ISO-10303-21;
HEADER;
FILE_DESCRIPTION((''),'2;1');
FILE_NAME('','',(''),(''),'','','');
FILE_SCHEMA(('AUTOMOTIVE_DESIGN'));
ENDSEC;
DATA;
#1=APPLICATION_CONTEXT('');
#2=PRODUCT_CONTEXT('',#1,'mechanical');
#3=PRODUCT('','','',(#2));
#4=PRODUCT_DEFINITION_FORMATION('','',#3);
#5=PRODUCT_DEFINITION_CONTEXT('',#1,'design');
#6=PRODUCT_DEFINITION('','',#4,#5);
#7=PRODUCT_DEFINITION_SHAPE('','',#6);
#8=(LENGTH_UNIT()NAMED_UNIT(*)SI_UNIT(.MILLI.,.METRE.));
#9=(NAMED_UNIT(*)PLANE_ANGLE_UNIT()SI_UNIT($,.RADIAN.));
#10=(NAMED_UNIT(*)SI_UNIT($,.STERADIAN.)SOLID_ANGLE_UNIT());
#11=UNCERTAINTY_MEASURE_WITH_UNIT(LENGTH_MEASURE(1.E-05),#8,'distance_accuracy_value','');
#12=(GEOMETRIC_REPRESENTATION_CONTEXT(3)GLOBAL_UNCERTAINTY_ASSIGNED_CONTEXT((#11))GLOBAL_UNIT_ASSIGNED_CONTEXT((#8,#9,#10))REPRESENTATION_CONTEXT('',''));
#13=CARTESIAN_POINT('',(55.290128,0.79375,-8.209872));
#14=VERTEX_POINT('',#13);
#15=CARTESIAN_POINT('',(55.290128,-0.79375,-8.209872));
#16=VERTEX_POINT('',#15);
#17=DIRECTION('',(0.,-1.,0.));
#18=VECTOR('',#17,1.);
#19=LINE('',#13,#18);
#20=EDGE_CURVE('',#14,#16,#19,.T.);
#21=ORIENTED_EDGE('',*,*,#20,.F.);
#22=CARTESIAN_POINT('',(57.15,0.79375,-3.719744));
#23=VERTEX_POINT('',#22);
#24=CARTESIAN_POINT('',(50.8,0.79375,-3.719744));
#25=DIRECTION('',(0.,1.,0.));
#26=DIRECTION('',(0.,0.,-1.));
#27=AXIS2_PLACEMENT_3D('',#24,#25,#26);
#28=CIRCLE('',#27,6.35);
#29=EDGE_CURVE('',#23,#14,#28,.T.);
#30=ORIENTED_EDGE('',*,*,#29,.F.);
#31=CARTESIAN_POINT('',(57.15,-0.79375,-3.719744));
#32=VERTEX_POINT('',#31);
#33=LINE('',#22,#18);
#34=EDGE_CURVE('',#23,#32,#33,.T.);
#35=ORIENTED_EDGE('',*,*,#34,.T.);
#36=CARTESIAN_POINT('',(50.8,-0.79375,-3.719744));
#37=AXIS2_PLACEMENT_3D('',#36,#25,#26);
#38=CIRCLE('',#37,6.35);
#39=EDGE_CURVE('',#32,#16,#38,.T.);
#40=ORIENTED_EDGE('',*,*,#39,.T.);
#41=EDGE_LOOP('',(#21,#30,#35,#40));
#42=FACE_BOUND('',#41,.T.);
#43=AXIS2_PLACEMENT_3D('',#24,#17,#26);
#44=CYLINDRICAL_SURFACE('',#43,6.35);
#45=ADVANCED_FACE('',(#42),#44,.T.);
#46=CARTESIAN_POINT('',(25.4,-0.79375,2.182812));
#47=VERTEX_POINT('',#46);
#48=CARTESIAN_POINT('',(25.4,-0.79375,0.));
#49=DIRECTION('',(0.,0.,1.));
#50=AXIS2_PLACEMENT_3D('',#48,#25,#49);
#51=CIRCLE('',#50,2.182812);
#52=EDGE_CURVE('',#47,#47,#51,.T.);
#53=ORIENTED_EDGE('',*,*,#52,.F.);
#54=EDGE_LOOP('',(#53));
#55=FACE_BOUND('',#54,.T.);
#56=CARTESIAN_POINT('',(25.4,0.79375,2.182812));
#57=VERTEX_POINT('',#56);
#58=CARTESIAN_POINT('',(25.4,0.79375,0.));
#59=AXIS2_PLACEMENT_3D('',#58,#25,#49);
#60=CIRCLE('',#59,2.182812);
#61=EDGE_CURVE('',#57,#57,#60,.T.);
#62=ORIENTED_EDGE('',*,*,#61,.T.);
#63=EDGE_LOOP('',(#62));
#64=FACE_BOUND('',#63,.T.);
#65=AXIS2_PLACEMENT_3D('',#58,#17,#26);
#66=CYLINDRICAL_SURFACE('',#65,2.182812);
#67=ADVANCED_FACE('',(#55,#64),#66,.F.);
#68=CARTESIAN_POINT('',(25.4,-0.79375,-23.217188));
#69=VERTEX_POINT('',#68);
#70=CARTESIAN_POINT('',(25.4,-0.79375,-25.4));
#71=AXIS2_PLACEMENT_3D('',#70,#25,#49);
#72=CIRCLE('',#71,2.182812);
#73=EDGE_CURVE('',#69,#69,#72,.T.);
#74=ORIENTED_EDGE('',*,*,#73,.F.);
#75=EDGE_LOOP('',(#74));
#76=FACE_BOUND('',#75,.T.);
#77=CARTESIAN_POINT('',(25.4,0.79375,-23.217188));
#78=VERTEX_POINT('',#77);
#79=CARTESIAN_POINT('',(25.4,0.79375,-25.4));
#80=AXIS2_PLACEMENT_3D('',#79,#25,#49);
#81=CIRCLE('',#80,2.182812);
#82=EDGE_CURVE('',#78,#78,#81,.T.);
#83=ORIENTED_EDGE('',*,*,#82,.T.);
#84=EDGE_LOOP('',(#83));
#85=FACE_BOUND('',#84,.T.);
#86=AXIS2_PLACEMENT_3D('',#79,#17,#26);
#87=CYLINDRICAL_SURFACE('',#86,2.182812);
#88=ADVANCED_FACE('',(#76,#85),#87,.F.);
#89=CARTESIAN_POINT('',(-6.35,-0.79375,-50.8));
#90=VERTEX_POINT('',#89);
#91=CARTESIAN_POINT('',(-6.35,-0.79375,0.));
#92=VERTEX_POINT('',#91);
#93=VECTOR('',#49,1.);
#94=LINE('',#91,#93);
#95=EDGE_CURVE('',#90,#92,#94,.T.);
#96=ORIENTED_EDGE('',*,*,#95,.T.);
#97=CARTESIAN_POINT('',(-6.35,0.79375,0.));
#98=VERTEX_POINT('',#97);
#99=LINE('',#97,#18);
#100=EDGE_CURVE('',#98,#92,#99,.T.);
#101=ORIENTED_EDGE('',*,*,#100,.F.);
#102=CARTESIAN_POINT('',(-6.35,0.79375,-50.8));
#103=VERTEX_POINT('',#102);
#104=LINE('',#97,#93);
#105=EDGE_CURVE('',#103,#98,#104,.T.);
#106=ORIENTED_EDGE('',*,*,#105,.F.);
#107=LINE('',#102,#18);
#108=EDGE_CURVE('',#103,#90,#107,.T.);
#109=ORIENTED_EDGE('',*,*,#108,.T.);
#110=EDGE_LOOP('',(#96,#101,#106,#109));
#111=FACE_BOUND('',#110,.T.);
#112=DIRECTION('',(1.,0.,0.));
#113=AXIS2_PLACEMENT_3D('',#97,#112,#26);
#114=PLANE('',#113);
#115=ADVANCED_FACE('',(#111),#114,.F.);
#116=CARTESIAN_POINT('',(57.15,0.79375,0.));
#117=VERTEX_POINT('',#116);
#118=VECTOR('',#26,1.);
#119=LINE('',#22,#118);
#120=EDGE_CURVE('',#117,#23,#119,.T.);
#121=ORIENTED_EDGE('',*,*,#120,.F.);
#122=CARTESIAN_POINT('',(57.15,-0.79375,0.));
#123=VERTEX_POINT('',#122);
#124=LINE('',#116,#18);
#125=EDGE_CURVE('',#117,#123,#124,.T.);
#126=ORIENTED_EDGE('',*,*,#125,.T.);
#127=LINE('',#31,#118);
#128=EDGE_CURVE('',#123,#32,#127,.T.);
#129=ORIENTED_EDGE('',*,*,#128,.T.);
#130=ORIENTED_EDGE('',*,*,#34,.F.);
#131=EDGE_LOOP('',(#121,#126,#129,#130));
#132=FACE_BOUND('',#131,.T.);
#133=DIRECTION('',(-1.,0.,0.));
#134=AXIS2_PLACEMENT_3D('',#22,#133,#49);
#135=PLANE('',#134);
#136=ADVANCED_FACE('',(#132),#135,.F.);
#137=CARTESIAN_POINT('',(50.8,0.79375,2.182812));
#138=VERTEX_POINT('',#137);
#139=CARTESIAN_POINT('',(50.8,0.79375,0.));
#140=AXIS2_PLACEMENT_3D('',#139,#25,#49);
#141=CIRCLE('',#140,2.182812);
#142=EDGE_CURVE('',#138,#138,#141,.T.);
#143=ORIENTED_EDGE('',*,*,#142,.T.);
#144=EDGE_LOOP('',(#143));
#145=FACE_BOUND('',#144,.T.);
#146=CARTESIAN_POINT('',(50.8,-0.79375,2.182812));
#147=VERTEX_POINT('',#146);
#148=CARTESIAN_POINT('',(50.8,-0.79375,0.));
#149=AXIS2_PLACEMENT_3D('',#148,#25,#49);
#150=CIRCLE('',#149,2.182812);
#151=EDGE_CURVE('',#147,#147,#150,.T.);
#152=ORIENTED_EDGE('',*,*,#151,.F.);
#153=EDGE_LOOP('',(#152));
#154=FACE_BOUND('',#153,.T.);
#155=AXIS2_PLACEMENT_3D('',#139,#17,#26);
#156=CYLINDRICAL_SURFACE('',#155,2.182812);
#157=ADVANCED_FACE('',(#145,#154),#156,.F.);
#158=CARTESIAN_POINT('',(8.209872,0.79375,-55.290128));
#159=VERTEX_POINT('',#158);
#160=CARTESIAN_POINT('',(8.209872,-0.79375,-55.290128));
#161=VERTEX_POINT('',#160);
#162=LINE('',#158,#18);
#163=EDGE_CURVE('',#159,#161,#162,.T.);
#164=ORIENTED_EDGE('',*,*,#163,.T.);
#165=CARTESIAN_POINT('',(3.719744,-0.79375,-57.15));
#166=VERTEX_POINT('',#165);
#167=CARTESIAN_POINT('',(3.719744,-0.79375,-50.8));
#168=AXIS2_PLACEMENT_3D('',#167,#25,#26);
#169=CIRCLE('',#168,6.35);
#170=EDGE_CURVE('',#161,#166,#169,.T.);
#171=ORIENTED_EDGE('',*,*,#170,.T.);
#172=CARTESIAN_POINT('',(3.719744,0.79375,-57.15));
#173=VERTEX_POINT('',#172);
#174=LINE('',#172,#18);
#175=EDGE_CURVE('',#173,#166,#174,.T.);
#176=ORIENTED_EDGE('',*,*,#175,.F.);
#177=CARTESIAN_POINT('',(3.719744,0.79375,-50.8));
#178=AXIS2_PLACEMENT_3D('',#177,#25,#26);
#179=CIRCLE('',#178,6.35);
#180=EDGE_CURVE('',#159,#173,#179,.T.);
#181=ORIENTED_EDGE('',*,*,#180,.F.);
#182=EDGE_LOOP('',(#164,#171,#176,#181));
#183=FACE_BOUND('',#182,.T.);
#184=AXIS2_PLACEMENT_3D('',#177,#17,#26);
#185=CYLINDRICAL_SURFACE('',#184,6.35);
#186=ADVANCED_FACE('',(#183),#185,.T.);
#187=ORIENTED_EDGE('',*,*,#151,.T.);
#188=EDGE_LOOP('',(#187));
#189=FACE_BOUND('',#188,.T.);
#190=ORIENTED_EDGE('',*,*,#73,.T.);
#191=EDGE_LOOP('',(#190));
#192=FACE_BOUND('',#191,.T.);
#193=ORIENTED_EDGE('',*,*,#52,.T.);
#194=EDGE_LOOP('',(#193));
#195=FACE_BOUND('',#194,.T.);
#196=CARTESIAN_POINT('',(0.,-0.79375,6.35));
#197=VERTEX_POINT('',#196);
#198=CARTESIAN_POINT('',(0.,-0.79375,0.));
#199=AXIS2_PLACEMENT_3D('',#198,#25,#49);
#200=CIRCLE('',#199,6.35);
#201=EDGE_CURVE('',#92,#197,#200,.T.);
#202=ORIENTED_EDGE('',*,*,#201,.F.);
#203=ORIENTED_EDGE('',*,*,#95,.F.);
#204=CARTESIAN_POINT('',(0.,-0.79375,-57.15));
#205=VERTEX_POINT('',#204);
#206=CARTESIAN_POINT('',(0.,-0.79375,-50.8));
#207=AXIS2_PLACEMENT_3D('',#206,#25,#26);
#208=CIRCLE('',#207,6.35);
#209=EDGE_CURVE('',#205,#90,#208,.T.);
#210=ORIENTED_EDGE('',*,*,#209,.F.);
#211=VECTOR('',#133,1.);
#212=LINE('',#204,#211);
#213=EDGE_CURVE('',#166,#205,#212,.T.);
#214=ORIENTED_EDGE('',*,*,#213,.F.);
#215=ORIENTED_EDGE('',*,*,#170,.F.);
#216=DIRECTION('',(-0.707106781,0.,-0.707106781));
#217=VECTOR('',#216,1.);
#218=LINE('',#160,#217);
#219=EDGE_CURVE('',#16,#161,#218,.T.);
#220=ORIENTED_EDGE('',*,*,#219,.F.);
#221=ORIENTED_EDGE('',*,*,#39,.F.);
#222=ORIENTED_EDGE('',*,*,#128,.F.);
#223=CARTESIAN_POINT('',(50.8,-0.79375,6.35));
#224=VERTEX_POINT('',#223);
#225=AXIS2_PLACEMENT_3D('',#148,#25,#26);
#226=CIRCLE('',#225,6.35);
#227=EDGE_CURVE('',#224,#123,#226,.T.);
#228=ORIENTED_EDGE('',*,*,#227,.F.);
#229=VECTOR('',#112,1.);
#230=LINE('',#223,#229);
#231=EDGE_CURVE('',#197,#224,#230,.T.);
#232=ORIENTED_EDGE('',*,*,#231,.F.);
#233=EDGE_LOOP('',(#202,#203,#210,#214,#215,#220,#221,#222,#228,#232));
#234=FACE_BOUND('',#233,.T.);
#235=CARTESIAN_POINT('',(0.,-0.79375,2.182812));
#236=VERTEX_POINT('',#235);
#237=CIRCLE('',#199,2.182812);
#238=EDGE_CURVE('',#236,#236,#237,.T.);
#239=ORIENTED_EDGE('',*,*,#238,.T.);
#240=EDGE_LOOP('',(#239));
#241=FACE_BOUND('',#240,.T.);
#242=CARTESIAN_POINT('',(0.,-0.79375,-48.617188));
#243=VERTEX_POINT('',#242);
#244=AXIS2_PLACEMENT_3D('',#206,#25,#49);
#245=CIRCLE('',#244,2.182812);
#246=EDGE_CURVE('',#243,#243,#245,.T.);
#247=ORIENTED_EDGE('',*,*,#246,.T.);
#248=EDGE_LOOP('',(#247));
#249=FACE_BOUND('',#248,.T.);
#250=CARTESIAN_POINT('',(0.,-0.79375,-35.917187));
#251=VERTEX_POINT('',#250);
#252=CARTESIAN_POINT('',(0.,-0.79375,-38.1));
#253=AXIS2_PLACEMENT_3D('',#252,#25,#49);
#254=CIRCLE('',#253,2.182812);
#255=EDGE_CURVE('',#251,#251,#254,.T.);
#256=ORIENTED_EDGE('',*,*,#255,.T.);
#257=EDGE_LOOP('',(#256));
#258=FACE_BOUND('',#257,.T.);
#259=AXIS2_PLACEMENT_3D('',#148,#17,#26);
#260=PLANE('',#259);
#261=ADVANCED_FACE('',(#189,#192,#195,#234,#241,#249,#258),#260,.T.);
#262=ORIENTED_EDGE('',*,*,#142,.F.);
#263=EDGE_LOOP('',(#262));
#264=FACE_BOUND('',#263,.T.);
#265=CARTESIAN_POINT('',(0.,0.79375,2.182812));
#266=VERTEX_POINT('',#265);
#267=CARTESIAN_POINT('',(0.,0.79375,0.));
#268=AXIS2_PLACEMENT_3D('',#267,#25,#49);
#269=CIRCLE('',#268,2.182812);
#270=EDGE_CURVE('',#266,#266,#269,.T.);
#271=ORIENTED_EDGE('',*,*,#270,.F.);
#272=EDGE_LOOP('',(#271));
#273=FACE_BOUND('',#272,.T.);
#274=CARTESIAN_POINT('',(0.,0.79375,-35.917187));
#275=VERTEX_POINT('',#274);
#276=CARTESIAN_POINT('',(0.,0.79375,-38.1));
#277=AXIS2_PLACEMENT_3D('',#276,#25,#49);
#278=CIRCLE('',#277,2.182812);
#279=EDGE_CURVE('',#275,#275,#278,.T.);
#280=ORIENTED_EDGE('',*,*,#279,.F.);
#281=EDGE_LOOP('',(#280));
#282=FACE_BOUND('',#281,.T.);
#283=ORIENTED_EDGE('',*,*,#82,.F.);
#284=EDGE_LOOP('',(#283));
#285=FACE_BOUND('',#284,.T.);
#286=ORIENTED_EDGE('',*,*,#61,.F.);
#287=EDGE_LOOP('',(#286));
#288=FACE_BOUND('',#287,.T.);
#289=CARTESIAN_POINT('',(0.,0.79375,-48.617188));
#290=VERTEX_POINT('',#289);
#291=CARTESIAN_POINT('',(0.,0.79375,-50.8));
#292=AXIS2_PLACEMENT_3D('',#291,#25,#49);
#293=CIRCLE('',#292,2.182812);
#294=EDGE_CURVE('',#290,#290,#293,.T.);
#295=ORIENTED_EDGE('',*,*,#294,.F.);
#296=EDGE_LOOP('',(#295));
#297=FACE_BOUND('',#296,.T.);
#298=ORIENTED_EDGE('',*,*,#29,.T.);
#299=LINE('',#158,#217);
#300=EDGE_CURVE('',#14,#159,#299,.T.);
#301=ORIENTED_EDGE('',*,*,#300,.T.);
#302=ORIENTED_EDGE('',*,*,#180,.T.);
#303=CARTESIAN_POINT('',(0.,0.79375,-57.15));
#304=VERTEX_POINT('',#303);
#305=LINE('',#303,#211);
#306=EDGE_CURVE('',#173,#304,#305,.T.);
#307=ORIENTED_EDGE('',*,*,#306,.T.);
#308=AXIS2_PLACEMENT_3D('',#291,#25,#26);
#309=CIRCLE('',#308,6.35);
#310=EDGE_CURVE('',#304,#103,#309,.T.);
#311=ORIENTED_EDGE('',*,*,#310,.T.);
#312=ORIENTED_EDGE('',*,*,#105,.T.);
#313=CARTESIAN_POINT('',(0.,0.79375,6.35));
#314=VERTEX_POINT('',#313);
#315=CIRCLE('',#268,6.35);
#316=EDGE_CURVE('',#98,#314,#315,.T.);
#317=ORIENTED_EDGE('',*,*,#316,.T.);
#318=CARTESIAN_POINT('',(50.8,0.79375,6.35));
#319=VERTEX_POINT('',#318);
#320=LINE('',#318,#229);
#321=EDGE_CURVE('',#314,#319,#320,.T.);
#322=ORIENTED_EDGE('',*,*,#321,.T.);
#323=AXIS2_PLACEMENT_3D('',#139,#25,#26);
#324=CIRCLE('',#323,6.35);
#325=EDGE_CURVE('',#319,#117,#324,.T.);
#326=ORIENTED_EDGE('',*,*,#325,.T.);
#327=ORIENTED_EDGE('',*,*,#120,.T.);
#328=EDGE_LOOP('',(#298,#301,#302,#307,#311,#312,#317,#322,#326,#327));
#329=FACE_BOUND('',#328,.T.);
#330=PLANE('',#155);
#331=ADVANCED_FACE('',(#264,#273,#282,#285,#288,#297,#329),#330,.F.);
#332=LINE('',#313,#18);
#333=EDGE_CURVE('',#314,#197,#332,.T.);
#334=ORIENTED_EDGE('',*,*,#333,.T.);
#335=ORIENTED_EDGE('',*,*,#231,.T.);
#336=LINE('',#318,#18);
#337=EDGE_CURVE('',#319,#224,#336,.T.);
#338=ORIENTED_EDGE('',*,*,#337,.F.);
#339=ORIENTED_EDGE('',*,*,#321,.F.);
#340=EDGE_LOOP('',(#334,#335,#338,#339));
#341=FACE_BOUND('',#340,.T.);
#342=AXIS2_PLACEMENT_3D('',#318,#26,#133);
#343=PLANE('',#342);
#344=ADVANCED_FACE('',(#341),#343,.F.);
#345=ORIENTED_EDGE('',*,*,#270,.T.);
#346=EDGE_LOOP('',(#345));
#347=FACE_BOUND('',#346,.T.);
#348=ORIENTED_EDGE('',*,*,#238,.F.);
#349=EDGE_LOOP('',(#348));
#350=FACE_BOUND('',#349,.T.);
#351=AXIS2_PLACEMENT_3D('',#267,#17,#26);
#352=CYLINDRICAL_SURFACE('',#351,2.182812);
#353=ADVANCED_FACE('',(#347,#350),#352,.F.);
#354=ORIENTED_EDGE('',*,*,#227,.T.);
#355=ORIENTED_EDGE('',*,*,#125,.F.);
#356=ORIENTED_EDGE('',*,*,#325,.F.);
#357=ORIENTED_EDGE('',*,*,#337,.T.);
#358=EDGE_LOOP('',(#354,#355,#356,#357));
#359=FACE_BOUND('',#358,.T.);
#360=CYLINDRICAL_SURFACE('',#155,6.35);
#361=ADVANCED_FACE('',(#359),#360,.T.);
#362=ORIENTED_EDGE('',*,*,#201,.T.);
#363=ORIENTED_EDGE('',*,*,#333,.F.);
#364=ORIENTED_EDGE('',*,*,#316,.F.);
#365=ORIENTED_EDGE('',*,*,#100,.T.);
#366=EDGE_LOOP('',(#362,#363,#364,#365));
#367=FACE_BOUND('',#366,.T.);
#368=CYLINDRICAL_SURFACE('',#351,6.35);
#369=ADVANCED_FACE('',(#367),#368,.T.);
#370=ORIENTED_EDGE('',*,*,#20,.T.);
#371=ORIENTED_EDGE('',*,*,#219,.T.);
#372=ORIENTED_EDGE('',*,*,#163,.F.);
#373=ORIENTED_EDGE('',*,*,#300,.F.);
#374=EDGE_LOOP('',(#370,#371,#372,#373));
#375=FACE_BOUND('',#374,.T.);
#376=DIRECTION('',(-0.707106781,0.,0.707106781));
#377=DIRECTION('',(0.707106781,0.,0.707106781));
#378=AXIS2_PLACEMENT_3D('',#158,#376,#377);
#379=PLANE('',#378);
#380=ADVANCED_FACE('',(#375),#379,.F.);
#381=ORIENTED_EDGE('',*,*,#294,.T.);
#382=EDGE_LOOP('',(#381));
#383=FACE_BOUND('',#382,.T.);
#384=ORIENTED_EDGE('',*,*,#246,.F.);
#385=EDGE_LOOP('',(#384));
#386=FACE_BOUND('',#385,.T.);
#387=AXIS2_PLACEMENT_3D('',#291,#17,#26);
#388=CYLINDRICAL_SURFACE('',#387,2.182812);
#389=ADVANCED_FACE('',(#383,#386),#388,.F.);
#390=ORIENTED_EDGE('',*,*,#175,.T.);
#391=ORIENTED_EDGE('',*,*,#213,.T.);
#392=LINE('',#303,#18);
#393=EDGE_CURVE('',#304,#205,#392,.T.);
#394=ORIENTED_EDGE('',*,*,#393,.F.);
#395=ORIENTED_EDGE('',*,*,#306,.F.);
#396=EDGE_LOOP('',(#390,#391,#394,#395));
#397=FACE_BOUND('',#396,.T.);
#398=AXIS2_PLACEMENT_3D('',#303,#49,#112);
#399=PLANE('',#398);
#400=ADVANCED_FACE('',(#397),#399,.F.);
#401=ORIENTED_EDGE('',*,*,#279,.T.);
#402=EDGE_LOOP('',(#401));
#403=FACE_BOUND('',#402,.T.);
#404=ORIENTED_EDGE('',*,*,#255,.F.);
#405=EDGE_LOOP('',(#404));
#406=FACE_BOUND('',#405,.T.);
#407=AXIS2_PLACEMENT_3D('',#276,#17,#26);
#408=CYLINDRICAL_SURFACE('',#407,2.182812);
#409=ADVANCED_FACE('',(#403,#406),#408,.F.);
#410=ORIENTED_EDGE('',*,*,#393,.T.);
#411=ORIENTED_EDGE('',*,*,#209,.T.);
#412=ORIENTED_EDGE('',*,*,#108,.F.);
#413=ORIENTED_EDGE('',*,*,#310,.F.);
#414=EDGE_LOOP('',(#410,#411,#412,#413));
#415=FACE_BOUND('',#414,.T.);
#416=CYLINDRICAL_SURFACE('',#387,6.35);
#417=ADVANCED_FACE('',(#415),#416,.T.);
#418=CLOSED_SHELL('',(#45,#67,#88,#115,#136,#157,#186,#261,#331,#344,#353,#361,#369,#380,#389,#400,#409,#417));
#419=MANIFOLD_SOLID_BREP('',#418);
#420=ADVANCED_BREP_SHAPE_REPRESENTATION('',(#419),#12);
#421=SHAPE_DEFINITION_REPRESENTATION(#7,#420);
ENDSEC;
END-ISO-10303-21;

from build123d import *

# Parameters (mm, degrees)
SKETCH1_R           = 2.1828125
BOSS_EXTRUDE1_DEPTH = 0.79375


with BuildPart() as part:
    # Sketch1 → Boss-Extrude1 (new, symmetric)
    with BuildSketch(Plane(origin=(0, 0, 0), x_dir=(1, 0, 0), z_dir=(0, 1, 0))):
        with BuildLine():
            Line((-6.35, 0), (-6.35, 50.8))
            ThreePointArc((-6.35, 50.8), (-4.490128061, 55.290128061), (0, 57.15))
            Line((0, 57.15), (3.719743879, 57.15))
            ThreePointArc((3.719743879, 57.15), (6.149783674, 56.666635031), (8.209871939, 55.290128061))
            Line((8.209871939, 55.290128061), (55.290128061, 8.209871939))
            ThreePointArc((55.290128061, 8.209871939), (56.666635031, 6.149783674), (57.15, 3.719743879))
            Line((57.15, 3.719743879), (57.15, 0))
            ThreePointArc((57.15, 0), (55.290128061, -4.490128061), (50.8, -6.35))
            Line((50.8, -6.35), (0, -6.35))
            ThreePointArc((0, -6.35), (-4.490128061, -4.490128061), (-6.35, 0))
        make_face()
        with Locations(Location((0, 0, 0), (0, 0, 270))):
            Circle(SKETCH1_R, mode=Mode.SUBTRACT)
        with Locations(Location((0, 50.8, 0), (0, 0, 270))):
            Circle(SKETCH1_R, mode=Mode.SUBTRACT)
        with Locations(Location((50.8, 0, 0), (0, 0, 270))):
            Circle(SKETCH1_R, mode=Mode.SUBTRACT)
        with Locations(Location((25.4, 0, 0), (0, 0, 270))):
            Circle(SKETCH1_R, mode=Mode.SUBTRACT)
        with Locations(Location((0, 38.1, 0), (0, 0, 270))):
            Circle(SKETCH1_R, mode=Mode.SUBTRACT)
        with Locations(Location((25.4, 25.4, 0), (0, 0, 270))):
            Circle(SKETCH1_R, mode=Mode.SUBTRACT)
    extrude(amount=BOSS_EXTRUDE1_DEPTH, both=True)


solid = part.part
